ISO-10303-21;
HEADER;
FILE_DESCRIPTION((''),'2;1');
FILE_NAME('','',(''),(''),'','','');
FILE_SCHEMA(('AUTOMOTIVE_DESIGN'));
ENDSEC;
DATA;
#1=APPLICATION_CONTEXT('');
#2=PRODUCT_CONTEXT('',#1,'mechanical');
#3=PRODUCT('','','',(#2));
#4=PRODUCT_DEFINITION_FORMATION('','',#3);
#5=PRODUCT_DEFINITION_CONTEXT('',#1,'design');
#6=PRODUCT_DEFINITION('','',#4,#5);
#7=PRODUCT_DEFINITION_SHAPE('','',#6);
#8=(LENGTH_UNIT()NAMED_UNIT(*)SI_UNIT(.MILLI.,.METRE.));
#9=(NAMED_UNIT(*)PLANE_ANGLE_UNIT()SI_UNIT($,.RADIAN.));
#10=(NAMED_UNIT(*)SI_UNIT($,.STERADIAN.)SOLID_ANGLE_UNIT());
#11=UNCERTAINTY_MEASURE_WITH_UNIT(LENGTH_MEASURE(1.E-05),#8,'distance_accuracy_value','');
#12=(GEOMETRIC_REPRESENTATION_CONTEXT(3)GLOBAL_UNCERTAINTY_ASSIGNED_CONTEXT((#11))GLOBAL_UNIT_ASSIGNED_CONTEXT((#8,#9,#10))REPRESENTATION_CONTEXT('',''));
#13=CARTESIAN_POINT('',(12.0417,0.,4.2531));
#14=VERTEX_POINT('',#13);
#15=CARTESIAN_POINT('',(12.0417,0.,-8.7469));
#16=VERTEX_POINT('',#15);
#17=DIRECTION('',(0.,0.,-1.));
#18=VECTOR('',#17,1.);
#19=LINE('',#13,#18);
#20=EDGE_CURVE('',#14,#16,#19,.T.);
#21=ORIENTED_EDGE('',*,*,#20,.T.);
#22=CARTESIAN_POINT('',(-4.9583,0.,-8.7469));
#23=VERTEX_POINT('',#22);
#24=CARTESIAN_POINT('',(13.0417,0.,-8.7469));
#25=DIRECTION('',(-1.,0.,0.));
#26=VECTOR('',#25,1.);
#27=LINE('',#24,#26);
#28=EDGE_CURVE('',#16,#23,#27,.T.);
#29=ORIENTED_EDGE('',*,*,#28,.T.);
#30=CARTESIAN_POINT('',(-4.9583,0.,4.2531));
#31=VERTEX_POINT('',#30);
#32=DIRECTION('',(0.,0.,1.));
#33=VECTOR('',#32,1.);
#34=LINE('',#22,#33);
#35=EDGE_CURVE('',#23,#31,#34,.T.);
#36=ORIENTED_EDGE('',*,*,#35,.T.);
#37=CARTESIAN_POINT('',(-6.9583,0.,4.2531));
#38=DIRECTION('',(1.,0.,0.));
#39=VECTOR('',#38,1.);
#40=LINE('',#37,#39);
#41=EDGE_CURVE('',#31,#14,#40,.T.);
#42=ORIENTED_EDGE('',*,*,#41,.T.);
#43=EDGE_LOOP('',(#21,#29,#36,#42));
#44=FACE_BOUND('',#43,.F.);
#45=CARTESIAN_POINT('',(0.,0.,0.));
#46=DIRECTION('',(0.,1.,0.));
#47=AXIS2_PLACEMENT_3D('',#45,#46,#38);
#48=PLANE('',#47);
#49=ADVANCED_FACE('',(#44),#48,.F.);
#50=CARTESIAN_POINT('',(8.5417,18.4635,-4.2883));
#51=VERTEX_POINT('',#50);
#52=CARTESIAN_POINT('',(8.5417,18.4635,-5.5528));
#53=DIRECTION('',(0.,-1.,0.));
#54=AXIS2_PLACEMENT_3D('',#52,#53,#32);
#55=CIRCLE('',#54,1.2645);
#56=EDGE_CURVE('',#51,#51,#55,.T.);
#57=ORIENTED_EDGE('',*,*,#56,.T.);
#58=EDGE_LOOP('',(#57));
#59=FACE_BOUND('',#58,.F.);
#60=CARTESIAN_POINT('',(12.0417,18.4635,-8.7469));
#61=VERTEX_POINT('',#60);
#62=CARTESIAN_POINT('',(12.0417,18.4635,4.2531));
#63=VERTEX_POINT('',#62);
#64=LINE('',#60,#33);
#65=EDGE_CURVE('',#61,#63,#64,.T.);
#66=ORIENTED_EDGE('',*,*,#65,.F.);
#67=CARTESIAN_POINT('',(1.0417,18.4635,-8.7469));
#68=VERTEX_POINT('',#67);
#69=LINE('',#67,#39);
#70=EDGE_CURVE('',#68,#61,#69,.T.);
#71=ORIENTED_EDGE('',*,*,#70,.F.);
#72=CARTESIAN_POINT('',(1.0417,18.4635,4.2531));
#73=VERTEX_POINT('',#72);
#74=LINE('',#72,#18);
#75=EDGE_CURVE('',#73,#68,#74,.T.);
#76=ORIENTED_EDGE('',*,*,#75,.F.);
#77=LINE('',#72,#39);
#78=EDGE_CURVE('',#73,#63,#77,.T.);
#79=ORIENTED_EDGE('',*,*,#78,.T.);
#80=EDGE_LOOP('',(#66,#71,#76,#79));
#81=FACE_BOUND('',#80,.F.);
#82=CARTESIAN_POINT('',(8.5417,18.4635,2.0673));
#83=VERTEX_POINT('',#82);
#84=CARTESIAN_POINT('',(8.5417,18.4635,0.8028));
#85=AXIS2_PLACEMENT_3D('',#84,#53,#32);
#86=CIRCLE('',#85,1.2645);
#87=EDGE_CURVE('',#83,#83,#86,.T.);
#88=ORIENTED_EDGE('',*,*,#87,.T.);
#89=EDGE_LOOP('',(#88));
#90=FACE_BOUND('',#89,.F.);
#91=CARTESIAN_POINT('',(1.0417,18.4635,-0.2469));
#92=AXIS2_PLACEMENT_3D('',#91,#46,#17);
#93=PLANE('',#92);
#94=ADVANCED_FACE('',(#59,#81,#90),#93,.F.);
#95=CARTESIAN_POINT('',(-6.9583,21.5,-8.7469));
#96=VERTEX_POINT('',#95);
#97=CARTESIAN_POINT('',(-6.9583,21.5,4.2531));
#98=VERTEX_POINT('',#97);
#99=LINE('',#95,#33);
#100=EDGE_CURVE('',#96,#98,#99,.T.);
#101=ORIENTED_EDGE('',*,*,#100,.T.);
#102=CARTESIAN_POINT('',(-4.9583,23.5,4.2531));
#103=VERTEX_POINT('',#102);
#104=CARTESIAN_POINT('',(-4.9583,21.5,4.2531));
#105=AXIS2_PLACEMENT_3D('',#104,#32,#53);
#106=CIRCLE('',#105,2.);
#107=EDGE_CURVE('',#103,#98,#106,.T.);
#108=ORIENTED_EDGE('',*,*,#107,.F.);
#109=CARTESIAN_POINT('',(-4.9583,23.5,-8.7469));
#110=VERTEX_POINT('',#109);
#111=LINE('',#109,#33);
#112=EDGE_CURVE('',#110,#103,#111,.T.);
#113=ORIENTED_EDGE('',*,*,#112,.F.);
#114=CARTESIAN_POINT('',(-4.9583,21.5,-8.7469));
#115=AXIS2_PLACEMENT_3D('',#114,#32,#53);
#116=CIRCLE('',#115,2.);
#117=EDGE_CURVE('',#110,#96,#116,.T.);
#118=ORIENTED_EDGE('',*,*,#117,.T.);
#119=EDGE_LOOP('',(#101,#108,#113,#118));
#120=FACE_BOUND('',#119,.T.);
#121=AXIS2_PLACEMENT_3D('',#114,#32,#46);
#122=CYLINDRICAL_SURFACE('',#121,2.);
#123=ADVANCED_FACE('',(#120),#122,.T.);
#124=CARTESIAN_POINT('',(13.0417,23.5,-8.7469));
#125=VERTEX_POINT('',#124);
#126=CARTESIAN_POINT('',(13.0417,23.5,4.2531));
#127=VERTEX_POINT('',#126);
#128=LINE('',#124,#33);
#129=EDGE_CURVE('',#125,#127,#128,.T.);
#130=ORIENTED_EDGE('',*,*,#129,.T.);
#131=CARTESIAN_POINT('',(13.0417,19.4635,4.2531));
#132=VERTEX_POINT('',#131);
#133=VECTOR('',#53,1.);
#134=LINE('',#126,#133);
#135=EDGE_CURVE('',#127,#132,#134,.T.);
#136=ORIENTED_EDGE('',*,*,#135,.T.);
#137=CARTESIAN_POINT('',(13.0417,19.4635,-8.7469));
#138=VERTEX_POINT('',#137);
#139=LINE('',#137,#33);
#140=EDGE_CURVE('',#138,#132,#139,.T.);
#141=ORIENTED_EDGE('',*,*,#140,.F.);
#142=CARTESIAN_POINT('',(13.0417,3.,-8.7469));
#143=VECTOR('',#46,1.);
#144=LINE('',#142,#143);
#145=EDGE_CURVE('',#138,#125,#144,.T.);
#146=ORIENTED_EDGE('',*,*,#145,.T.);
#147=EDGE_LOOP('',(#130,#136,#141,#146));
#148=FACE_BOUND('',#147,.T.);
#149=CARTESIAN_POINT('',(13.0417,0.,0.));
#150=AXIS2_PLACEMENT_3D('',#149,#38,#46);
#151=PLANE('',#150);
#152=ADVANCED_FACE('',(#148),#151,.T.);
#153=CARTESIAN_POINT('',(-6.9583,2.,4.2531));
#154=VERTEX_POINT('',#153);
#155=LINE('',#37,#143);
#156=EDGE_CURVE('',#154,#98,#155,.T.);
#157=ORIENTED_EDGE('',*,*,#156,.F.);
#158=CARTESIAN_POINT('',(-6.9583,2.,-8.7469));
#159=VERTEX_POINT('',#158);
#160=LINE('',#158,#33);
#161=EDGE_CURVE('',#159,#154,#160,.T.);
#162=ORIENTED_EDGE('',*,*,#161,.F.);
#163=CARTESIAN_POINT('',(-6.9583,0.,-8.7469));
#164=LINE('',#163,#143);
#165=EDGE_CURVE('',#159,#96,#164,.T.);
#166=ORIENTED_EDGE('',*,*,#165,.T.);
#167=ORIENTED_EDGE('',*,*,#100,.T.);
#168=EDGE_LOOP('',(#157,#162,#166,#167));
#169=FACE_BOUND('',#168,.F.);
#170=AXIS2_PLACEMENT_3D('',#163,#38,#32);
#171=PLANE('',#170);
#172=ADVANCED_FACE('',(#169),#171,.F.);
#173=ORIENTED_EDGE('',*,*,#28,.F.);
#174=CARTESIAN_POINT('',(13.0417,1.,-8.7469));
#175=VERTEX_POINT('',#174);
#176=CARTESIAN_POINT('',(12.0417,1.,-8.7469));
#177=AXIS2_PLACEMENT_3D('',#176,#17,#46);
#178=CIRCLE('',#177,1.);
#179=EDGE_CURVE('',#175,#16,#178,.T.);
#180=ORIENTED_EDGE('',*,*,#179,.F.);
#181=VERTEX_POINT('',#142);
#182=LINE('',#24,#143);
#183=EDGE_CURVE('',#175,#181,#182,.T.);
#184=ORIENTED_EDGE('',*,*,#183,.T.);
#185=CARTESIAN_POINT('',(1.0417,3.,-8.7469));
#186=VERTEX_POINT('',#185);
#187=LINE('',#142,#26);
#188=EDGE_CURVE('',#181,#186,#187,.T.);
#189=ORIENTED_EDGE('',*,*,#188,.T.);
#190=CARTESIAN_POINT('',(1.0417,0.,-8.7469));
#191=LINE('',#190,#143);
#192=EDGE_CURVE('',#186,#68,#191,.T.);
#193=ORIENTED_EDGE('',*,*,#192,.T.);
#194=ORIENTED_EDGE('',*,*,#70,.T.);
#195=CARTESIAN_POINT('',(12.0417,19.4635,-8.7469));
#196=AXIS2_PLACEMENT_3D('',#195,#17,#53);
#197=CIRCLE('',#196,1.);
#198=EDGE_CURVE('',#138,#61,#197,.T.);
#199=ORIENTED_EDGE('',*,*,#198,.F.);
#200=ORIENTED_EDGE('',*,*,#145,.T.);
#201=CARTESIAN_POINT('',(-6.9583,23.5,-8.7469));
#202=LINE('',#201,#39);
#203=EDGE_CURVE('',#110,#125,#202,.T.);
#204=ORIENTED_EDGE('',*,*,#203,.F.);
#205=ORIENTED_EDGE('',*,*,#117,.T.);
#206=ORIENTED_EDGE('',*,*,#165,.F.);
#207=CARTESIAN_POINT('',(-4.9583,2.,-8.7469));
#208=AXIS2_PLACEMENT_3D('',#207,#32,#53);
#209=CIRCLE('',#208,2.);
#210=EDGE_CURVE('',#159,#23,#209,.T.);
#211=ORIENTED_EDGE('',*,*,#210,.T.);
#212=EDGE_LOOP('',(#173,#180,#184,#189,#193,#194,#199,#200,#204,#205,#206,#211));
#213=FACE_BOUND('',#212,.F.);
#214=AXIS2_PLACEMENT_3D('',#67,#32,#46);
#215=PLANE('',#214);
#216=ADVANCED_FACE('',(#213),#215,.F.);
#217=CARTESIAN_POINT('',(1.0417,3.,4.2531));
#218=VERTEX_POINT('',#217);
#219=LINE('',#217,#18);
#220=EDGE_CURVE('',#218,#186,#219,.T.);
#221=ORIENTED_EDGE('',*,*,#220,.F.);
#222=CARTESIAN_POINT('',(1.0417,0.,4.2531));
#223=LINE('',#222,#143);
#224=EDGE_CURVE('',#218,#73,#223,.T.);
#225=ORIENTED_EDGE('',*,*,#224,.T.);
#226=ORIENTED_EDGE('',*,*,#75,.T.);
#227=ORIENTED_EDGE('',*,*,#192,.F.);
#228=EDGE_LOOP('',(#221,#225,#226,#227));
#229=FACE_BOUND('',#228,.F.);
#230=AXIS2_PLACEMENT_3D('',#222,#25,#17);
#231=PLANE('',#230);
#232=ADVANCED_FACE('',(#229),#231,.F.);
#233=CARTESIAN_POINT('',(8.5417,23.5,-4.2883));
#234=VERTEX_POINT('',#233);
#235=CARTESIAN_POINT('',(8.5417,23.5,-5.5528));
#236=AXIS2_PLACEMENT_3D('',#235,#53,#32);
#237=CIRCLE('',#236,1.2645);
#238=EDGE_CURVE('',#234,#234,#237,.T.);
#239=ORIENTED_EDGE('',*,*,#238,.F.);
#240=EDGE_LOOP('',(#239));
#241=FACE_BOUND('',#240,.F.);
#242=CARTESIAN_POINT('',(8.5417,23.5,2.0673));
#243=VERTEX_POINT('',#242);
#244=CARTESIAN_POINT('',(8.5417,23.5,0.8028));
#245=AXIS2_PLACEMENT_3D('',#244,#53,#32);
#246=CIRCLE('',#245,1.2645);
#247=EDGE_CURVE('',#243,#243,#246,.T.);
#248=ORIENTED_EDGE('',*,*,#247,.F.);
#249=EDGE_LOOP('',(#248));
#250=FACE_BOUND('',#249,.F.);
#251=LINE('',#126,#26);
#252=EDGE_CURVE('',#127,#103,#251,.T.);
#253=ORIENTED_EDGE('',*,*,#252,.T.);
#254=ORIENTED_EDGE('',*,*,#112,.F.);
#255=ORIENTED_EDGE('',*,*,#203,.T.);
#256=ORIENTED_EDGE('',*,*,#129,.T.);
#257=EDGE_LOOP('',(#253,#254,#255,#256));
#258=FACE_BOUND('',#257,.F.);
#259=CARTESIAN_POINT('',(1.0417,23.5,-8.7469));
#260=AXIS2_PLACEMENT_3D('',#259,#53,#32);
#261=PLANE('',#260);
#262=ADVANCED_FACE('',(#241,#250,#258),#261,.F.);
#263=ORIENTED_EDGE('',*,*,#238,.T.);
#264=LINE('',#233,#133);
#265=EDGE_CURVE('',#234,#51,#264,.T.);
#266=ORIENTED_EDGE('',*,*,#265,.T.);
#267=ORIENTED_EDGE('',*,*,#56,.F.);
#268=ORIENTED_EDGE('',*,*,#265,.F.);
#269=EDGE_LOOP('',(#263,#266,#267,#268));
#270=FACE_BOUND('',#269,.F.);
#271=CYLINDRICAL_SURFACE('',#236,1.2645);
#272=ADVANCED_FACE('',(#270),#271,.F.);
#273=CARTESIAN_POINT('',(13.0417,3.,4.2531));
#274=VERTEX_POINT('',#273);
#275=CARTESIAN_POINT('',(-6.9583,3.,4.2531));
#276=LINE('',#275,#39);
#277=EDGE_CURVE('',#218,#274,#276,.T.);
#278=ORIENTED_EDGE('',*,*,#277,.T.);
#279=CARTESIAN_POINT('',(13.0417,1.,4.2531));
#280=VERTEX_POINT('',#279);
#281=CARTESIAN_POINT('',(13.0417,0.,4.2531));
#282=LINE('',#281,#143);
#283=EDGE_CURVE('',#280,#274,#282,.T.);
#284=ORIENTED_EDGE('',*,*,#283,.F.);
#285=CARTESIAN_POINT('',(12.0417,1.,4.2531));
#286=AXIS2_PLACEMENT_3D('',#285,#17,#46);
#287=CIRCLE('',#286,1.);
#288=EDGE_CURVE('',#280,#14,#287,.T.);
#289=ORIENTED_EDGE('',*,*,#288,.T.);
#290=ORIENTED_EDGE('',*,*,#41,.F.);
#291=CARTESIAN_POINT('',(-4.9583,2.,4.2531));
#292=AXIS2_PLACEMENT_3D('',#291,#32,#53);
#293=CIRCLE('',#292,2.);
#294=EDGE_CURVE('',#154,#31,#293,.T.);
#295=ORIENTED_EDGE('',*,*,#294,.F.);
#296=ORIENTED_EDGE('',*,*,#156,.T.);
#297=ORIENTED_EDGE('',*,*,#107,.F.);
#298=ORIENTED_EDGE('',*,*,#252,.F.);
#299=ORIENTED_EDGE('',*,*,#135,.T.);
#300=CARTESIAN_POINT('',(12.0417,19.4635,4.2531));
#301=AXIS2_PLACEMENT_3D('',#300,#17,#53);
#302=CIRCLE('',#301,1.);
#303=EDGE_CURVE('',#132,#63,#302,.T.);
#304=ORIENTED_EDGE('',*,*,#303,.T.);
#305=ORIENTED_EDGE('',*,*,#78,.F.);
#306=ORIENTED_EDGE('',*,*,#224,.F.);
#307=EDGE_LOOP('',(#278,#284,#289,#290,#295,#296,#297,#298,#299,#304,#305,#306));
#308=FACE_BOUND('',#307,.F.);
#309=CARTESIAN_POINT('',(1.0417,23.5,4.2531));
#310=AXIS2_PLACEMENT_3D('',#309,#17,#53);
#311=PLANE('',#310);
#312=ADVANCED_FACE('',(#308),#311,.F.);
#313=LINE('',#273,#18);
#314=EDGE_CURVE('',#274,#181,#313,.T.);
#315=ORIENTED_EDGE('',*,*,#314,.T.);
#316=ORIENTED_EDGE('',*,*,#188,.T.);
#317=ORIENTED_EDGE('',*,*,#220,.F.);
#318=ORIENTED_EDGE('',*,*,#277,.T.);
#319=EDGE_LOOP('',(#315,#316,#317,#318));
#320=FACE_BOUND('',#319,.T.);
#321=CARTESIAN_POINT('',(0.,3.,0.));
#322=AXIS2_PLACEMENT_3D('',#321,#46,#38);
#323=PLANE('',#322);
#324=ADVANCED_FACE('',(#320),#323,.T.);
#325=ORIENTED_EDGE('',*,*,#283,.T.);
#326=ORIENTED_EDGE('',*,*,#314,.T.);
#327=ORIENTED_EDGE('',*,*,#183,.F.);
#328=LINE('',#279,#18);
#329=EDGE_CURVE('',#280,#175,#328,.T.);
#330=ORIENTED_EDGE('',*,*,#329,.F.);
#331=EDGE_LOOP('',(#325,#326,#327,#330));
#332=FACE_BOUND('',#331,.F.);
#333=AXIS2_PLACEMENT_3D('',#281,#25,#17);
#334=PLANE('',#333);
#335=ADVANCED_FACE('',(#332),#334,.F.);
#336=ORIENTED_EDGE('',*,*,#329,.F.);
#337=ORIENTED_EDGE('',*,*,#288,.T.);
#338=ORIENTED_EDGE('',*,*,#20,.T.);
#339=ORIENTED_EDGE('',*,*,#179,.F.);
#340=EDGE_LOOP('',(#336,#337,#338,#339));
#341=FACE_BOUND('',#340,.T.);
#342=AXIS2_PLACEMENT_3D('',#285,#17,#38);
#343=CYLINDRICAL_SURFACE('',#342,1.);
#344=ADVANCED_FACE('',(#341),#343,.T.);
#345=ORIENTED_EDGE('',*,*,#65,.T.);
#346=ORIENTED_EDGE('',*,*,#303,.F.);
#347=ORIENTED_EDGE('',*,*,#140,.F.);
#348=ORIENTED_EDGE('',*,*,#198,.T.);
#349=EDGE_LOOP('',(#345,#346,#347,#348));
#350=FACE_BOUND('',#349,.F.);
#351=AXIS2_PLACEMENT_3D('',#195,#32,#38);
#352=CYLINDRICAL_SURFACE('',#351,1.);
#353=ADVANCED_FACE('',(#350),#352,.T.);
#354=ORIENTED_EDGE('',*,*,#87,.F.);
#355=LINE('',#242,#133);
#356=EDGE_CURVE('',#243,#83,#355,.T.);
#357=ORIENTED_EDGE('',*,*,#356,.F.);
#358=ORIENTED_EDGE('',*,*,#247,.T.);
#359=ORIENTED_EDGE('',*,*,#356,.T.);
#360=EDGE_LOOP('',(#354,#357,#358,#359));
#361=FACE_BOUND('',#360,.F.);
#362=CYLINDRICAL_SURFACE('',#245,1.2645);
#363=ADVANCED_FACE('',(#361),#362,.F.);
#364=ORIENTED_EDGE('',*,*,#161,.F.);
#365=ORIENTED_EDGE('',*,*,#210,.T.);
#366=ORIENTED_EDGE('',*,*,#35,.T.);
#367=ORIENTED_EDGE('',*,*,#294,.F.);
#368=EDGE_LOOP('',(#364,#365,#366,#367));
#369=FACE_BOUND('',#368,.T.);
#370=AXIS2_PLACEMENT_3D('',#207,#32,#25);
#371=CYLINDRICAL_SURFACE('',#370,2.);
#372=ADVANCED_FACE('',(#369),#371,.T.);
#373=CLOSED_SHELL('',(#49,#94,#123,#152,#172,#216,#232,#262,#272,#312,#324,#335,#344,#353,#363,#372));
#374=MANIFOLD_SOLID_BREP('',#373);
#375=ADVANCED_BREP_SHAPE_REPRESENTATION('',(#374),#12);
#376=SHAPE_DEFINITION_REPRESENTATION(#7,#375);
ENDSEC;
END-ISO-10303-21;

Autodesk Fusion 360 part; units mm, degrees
sketch "Sketch1" plane through (0, 0, 0) normal (0, 1, 0) x (1, 0, 0)
  line L0 (-6.9583, -4.2531) -> (13.0417, -4.2531)
  line L1 (13.0417, -4.2531) -> (13.0417, 8.7469)
  line L2 (13.0417, 8.7469) -> (-6.9583, 8.7469)
  line L3 (-6.9583, 8.7469) -> (-6.9583, -4.2531)
  line L4 (-6.9583, -4.2531) -> (1.0417, -4.2531)
  line L5 (1.0417, -4.2531) -> (1.0417, 8.7469)
  line L6 (1.0417, 8.7469) -> (-6.9583, 8.7469)
  line L7 (-6.9583, 8.7469) -> (-6.9583, -4.2531)
  dimension "d4" = 20
  dimension "d5" = 13
  dimension "d7" = 8
  dimension "d8" = 13
extrude "Extrude1" add sketch "Sketch1" along normal blind 23.5 contours L0 L2 L3 L4 L5 L6 L7
extrude "Extrude2" add sketch "Sketch1" along normal blind 3 contours L0 L1 L2 L5
sketch "Sketch2" plane through (1.0417, 0, 0) normal (1, 0, 0) x (0, 1, 0)
  line L0 (3, -8.7469) -> (23.5, -8.7469)
  line L1 (23.5, -8.7469) -> (23.5, 4.2531)
  line L2 (23.5, 4.2531) -> (3, 4.2531)
  line L3 (3, -0.2469) -> (18.5, -0.2469)
  line L4 (23.5, 4.2531) -> (18.4635, 4.2531)
  line L5 (18.4635, 4.2531) -> (18.4635, -8.7469)
  line L6 (18.4635, -8.7469) -> (23.5, -8.7469)
  line L7 (23.5, -8.7469) -> (23.5, 4.2531)
  line L8 (3, 4.2531) -> (3, -8.7469)
  dimension "d16" = 15.5
extrude "Extrude3" add sketch "Sketch2" along normal blind 12 contours L0 L1 L2 L4 L5 L6 L7
fillet "Fillet1" radius 2 1 edges at (-6.9583, 23.5, -2.2469)
fillet "Fillet2" radius 2 1 edges at (-6.9583, 0, -2.2469)
fillet "Fillet3" radius 1 1 edges at (13.0417, 18.4635, -2.2469)
fillet "Fillet4" radius 1 1 edges at (13.0417, 0, -2.2469)
sketch "Sketch3" plane through (0, 23.5, 0) normal (0, 1, 0) x (-1, 0, 0)
  line L0 (4.9583, -8.7469) -> (4.9583, 4.2531)
  line L1 (4.9583, 4.2531) -> (-13.0417, 4.2531)
  line L2 (-13.0417, 4.2531) -> (-13.0417, -8.7469)
  line L3 (-13.0417, -8.7469) -> (4.9583, -8.7469)
  line L4 (4.9583, -2.2469) -> (-13.0417, -2.2469)
  line L5 (-8.5241, 4.0524) -> (-8.5241, 0.8024)
  line L6 (-8.5417, -8.8028) -> (-8.5417, -5.5528)
  circle A0 centre (-8.5241, 0.8024) radius 1.3
  circle A1 centre (-8.5417, -5.5528) radius 1.3
  line L7 (-13.0417, 0.8028) -> (-8.5417, 0.8028)
  line L8 (-13.0417, -5.5528) -> (-8.5417, -5.5528)
  dimension "d32" = 3.25
  dimension "d33" = 3.25
  dimension "d34" = 2.6
  dimension "d35" = 2.6
  dimension "d36" = 4.5
  dimension "d37" = 4.5
hole "Hole2" at (8.5417, 23.5, 0.8028) at (8.5417, 23.5, -5.5528) direction (0, -1, 0) diameter 2.529 depth 10 tip angle 118
equation "clamp_w = 20 mm"
equation "clamp_l = 13 mm"
equation "clamp_bot_thickness = 3 mm"
equation "d4 = clamp_w"
equation "d5 = clamp_l"
equation "clamp_mid_w = 8 mm"
equation "d7 = clamp_mid_w"
equation "d8 = clamp_l"
equation "clamp_mid_thickness = deck_bed_gap + clamp_bot_thickness + clamp_top_thickness"
equation "d10 = clamp_mid_thickness"
equation "d12 = clamp_bot_thickness"
equation "clamp_top_thickness = 5 mm"
equation "deck_bed_gap = 15.5 mm"
equation "d16 = deck_bed_gap"
equation "top_clamp_depth = clamp_w - clamp_mid_w"
equation "d18 = top_clamp_depth"
